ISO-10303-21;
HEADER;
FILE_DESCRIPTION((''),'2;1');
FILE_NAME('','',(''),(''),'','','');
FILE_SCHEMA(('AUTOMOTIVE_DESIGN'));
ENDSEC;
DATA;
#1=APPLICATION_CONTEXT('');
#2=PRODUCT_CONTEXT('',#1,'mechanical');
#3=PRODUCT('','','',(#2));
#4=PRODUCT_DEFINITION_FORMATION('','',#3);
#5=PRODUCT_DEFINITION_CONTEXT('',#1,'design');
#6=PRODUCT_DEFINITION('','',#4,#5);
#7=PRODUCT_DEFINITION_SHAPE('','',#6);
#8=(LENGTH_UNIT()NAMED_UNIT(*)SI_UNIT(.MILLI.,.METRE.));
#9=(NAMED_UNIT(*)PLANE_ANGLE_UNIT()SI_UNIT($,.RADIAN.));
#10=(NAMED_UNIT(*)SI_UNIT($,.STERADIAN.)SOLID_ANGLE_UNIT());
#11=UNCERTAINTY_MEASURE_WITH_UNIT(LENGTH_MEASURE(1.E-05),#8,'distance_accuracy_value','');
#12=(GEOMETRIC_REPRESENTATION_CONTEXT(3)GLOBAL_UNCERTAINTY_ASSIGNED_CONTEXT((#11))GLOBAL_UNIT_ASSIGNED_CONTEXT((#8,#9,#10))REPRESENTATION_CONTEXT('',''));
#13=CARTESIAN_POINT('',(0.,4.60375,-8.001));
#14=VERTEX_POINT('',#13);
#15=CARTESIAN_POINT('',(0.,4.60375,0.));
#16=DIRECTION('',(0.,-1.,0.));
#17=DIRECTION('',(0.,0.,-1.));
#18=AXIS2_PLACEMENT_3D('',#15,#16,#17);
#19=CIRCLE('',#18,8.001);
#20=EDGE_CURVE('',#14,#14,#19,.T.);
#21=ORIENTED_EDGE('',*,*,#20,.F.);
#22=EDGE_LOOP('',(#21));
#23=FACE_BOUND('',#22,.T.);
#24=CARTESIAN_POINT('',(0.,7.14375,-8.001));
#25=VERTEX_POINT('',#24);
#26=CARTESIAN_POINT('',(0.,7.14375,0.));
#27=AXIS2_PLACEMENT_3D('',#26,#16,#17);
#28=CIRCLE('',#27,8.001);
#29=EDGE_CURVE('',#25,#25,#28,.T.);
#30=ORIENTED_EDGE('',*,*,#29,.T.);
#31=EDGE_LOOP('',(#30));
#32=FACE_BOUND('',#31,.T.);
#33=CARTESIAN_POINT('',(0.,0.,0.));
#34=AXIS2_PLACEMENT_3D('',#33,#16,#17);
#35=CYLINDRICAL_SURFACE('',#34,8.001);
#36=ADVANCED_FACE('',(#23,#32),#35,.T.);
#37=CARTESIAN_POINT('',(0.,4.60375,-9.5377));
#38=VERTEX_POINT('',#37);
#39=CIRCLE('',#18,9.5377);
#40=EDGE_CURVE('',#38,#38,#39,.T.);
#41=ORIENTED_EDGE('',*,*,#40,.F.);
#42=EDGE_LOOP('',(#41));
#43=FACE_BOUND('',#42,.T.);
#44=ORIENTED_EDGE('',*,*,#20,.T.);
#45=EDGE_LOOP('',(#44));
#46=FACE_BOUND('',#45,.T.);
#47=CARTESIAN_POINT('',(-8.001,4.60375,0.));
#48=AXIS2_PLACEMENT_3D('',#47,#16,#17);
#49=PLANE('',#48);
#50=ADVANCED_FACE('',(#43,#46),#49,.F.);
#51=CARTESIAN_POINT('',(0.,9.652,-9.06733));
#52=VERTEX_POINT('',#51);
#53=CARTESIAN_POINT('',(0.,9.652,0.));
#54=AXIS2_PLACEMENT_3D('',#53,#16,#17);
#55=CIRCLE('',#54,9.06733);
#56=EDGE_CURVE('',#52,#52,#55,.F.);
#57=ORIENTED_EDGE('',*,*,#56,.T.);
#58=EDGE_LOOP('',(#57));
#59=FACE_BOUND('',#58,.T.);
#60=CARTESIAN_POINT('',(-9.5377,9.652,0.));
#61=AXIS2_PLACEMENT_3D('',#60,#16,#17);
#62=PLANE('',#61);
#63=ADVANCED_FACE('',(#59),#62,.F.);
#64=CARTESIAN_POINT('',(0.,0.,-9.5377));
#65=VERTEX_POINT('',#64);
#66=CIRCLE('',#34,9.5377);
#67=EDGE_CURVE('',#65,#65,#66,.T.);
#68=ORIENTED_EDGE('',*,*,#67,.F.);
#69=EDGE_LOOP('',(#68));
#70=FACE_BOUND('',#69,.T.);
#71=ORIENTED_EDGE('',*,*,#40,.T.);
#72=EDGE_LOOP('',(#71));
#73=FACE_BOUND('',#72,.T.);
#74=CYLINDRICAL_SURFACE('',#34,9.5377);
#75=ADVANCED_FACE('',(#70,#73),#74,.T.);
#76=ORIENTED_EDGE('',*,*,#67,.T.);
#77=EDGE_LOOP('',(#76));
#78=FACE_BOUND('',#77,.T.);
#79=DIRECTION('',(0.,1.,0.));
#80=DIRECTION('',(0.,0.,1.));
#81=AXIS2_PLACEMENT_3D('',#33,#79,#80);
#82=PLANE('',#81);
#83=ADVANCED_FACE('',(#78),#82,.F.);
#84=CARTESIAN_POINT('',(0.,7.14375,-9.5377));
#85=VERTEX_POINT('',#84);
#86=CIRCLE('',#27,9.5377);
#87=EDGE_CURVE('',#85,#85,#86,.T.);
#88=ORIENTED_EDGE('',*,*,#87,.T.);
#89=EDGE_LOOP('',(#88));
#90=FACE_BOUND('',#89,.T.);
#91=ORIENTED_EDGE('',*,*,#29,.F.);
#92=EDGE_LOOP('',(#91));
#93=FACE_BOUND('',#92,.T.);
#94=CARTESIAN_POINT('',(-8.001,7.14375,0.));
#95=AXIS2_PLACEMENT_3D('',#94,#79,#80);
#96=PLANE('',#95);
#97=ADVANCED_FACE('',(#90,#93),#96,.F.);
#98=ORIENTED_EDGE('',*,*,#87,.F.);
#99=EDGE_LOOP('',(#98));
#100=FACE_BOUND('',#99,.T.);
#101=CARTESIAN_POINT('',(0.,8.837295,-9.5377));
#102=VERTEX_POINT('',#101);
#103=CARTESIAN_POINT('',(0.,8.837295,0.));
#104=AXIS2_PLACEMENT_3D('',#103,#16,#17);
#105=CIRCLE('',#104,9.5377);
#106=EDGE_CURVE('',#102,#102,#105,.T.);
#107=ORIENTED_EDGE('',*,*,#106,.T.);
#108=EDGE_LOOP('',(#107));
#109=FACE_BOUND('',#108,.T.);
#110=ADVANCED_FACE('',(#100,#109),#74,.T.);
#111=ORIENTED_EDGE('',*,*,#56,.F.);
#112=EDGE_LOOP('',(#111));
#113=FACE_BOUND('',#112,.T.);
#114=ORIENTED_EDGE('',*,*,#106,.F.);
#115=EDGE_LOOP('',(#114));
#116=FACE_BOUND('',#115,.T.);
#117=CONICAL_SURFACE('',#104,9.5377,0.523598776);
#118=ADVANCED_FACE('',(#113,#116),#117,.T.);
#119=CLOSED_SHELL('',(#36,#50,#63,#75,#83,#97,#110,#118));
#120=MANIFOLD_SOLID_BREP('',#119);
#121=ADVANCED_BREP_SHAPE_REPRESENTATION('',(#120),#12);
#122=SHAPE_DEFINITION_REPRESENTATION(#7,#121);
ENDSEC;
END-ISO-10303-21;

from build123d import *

# Parameters (mm, degrees)
CHAMFER1_SIZE  = 0.47037037
CHAMFER1_SIZE2 = 0.81470538


with BuildPart() as part:
    # Sketch1 → Revolve1 (revolve)
    with BuildSketch(Plane.XY):
        Polygon((0, 0), (-9.5377, 0), (-9.5377, 4.60375), (-8.001, 4.60375), (-8.001, 7.14375), (-9.5377, 7.14375), (-9.5377, 9.652), (0, 9.652), align=None)
    revolve(axis=Axis((0, 0, 0), (0, 1, 0)))

    # Chamfer1
    chamfer1_edges = [part.edges().sort_by_distance(p)[0] for p in [
        (9.5377, 9.652, 0),
    ]]
    chamfer1_side = [part.faces().sort_by_distance(p)[0] for p in [
        (0, 9.652, 0),
    ]]
    chamfer(chamfer1_edges, length=CHAMFER1_SIZE, length2=CHAMFER1_SIZE2, reference=chamfer1_side[0])


solid = part.part
